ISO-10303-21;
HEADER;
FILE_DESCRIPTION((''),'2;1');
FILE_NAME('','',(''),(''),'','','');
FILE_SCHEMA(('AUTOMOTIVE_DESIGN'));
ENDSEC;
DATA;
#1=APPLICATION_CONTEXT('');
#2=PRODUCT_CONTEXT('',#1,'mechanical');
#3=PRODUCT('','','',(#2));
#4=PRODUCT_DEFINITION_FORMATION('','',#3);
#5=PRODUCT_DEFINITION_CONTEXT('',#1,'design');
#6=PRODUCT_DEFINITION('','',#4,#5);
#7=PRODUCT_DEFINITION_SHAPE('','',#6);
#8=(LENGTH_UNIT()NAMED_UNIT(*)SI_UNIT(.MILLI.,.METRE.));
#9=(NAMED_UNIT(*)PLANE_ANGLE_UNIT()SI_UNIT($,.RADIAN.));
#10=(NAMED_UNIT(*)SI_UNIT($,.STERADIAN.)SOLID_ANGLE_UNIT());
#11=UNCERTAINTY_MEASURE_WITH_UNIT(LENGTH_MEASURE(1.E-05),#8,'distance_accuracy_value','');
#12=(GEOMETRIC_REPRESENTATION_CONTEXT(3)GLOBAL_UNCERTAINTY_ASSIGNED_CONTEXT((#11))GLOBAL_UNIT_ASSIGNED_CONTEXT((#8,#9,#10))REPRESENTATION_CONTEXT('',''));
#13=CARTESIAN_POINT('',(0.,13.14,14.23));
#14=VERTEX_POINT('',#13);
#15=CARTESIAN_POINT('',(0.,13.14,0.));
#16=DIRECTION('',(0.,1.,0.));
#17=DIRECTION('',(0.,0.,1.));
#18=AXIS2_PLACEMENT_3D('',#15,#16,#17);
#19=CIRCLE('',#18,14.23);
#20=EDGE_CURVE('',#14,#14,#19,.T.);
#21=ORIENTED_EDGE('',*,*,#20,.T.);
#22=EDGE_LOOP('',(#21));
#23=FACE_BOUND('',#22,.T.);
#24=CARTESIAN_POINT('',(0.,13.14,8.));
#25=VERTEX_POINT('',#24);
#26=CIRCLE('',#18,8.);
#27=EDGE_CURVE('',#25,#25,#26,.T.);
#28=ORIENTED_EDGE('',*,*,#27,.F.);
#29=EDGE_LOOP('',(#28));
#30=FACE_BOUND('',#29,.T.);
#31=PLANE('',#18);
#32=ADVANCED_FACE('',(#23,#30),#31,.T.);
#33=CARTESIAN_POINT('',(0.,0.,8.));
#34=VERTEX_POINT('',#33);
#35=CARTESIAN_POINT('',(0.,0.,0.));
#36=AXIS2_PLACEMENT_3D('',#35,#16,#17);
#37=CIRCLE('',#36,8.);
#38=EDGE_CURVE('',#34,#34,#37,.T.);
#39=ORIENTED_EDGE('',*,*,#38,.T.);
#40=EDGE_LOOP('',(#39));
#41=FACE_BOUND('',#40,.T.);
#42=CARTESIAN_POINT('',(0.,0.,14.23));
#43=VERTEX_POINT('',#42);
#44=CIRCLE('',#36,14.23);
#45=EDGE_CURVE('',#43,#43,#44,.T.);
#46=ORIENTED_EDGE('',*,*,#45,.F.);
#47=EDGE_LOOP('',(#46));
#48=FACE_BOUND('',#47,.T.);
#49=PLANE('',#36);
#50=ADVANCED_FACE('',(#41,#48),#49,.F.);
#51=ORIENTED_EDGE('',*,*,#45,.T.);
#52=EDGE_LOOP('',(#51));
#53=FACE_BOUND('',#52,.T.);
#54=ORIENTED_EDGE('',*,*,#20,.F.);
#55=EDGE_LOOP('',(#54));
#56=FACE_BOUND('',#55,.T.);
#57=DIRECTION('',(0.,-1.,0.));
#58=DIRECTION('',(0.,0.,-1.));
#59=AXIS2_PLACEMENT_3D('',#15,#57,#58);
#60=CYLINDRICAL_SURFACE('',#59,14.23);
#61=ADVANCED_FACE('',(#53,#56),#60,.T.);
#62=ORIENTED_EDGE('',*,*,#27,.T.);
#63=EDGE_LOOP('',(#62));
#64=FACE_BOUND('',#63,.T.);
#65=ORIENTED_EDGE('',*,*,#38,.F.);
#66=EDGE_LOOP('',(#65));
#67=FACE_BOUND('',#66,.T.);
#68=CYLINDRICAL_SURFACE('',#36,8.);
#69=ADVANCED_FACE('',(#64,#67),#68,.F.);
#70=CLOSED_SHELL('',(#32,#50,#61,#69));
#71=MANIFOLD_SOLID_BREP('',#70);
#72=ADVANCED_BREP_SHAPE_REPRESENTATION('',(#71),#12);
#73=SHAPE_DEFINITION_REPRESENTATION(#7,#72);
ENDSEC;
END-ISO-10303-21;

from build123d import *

# Parameters (mm, degrees)
SKETCH1_R           = 14.23
BOSS_EXTRUDE1_DEPTH = 13.14
SKETCH2_R           = 8
CUT_EXTRUDE1_DEPTH  = 13.14


with BuildPart() as part:
    # Sketch1 → Boss-Extrude1 (new body)
    with BuildSketch(Plane(origin=(0, 0, 0), x_dir=(1, 0, 0), z_dir=(0, 1, 0))):
        with Locations(Location((0, 0, 0), (0, 0, 270))):
            Circle(SKETCH1_R)
    extrude(amount=BOSS_EXTRUDE1_DEPTH)

    # Sketch2 → Cut-Extrude1 (cut)
    with BuildSketch(Plane(origin=(0, 13.14, 0), x_dir=(1, 0, 0), z_dir=(0, 1, 0))):
        with Locations(Location((0, 0, 0), (0, 0, 270))):
            Circle(SKETCH2_R)
    extrude(amount=-CUT_EXTRUDE1_DEPTH, mode=Mode.SUBTRACT)


solid = part.part
